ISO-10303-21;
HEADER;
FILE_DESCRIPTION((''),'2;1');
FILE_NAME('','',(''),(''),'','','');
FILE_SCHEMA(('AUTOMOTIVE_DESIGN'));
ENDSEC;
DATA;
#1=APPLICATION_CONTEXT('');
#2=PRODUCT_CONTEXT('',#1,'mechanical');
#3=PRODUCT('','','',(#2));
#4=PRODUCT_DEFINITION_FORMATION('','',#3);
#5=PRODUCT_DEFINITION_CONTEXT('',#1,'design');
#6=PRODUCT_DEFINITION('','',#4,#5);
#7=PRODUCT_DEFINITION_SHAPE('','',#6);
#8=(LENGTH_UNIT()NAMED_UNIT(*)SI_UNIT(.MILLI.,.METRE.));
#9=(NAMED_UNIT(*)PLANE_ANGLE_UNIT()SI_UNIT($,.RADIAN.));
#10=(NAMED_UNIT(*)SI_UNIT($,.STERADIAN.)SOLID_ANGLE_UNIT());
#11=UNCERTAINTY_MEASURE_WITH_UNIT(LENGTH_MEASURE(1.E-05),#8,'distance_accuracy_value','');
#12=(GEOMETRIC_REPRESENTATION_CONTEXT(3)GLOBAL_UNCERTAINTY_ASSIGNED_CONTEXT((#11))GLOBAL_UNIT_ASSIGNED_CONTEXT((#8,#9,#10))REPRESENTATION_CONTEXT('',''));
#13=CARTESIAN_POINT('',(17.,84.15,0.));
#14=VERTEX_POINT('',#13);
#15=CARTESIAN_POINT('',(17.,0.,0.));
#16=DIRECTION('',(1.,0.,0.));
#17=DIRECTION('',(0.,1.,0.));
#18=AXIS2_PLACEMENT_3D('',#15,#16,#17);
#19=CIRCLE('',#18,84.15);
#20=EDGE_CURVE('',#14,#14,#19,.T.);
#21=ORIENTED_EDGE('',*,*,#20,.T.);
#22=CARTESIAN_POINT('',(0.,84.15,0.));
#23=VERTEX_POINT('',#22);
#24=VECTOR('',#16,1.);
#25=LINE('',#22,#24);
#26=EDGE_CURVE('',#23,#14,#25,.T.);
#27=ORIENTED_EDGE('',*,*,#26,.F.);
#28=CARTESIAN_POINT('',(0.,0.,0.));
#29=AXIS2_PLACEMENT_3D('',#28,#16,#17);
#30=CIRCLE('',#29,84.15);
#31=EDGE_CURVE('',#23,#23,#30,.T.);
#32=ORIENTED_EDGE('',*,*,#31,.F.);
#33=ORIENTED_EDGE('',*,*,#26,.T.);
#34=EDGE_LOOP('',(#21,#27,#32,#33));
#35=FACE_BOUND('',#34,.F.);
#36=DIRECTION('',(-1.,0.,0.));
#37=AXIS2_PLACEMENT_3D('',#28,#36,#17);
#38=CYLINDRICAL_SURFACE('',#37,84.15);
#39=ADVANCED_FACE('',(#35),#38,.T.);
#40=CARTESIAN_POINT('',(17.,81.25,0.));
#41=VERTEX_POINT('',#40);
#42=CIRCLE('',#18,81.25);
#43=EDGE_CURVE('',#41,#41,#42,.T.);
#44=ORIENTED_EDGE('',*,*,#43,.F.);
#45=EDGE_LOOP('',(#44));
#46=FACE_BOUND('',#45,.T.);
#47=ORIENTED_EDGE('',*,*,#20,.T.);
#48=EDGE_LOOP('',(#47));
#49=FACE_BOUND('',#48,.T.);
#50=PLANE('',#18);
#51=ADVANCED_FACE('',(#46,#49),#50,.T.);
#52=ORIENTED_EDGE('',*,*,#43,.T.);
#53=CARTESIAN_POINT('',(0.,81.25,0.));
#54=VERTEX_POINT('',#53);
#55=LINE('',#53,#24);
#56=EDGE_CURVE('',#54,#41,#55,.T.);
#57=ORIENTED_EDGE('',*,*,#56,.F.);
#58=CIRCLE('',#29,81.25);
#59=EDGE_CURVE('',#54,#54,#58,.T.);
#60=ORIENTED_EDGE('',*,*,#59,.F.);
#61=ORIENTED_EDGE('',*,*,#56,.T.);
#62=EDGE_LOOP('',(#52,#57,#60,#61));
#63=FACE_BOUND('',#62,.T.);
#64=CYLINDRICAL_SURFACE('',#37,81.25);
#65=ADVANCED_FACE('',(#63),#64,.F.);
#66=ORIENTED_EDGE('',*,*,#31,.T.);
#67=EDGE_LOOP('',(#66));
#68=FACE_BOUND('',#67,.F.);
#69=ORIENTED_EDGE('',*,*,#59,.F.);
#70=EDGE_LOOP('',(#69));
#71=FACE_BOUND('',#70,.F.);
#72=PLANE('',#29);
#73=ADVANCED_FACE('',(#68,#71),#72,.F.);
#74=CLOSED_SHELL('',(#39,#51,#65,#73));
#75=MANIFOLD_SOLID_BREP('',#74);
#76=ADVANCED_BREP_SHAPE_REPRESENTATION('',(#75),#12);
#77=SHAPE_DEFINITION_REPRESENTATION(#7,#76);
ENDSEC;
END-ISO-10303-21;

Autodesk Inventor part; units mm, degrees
ref_plane "YZ Plane" through (0, 0, 0) normal (1, 0, 0) x (0, 1, 0)
ref_plane "XZ Plane" through (0, 0, 0) normal (0, 1, 0) x (-1, 0, 0)
ref_plane "XY Plane" through (0, 0, 0) normal (0, 0, 1) x (1, 0, 0)
sketch "Sketch1" plane through (0, 0, 0) normal (1, 0, 0) x (0, 1, 0)
  circle A0 centre (0, 0) radius 84.15
  circle A1 centre (0, 0) radius 81.25
  dimension "d0" = 168.3
  dimension "d1" = 2.9
extrude "Extrusion1" add sketch "Sketch1" along normal blind 17
equation "\"d0\" = OD"
equation "\"d1\" = t"
equation "\"d2\" = L"
equation "\"OD\" = 168.3"
equation "\"t\" = 2.9"
equation "\"L\" = PL"
equation "\"ID\" = 162.5"
equation "\"PL\" = 17"
equation "\"Size_Designation\" = 1.2345"
properties material "Steel"
